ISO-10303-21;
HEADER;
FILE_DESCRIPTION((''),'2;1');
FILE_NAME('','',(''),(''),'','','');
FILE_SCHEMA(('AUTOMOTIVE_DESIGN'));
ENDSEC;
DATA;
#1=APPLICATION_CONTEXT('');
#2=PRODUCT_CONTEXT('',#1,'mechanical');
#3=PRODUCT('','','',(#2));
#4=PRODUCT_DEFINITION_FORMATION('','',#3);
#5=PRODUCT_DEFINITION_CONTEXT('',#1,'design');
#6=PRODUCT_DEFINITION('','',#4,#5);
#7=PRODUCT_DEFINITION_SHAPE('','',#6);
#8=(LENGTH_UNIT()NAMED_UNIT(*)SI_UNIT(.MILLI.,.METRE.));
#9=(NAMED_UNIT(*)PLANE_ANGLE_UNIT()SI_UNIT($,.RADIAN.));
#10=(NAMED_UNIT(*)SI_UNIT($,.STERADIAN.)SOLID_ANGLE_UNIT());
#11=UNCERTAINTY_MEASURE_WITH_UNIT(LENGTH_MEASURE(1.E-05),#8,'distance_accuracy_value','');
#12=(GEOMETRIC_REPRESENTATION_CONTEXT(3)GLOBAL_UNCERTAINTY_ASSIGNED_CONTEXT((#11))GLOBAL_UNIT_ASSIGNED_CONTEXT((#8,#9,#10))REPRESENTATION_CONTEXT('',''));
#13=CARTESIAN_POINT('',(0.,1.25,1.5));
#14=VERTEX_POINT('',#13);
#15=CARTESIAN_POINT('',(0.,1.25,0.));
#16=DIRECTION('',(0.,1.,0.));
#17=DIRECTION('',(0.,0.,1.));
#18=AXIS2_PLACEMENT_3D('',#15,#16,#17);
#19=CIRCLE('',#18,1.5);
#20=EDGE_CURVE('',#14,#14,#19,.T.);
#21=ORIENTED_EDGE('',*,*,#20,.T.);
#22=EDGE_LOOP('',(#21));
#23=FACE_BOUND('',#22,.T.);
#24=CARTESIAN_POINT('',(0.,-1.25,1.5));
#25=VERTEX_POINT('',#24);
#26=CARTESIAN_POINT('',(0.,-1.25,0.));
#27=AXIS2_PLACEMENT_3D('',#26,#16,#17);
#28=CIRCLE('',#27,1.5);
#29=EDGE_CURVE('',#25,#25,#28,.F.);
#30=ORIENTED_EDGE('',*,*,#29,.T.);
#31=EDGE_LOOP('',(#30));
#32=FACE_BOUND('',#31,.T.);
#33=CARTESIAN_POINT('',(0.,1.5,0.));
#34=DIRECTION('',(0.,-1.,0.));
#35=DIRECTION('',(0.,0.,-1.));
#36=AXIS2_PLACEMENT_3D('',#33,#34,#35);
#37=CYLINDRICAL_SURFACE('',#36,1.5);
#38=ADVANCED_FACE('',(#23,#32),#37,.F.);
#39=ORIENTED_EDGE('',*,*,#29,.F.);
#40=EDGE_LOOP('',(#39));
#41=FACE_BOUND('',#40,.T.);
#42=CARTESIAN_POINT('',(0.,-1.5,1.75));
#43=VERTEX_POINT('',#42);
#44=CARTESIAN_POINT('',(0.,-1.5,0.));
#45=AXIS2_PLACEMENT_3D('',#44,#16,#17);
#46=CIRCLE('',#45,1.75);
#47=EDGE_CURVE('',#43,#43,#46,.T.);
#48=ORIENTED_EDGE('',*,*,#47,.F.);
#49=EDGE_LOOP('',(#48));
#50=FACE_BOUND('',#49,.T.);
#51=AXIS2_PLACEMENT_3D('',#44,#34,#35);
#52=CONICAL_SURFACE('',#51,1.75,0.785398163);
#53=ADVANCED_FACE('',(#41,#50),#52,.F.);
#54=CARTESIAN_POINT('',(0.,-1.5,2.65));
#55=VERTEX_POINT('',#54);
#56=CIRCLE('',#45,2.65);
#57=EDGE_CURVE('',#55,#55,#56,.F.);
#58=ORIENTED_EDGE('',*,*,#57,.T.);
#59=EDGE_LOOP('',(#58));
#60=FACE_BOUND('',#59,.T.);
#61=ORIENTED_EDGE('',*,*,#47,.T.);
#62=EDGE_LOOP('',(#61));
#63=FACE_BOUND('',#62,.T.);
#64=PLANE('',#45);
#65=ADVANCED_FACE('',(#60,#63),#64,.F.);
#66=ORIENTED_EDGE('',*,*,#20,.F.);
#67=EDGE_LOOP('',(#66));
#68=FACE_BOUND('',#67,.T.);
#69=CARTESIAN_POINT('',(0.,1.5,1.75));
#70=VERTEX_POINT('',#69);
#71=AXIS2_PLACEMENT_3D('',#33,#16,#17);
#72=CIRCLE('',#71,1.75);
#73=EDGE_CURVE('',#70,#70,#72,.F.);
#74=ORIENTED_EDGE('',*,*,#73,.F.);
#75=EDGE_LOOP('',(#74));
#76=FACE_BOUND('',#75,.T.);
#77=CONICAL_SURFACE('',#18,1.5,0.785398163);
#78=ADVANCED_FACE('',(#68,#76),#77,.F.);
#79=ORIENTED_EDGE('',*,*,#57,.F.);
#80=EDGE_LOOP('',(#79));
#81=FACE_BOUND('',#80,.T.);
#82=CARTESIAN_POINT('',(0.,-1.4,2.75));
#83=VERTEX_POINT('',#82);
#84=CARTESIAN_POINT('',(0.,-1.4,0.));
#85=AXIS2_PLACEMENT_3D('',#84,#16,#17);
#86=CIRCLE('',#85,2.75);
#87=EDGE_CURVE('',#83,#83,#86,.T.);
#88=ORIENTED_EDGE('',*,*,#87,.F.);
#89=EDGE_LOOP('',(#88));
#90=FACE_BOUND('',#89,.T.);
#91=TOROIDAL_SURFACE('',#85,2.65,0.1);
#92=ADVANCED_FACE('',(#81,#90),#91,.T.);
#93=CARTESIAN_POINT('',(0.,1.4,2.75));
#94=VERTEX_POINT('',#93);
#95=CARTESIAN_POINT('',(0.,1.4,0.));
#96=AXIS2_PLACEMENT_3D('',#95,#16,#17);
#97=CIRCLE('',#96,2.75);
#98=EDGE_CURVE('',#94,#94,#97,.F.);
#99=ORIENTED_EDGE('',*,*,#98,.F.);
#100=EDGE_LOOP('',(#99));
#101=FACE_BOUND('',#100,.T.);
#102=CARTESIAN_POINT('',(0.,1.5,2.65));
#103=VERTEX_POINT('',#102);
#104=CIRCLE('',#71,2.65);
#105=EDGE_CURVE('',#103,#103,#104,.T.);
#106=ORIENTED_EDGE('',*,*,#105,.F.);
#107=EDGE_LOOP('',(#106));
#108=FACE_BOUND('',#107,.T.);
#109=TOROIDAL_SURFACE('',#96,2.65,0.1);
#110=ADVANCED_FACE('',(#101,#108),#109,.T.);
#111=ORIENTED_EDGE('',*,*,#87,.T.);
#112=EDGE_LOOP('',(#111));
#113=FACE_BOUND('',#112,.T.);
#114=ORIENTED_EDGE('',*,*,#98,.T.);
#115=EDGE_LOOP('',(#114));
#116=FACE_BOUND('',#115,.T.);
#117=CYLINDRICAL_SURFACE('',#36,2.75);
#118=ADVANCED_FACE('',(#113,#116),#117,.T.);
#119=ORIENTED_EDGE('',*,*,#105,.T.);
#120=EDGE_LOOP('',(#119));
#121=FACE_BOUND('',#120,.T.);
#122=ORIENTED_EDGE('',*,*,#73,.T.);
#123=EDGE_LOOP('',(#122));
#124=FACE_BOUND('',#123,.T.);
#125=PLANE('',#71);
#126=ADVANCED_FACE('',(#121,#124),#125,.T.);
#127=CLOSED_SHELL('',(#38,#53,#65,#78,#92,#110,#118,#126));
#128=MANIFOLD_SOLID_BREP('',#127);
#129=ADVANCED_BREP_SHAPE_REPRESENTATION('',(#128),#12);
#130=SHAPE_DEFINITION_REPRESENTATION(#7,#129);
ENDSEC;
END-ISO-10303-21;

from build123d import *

# Parameters (mm, degrees)
SKETCH1_R           = 2.75
SKETCH1_R_2         = 1.5
BOSS_EXTRUDE1_DEPTH = 1.5
CHAMFER1_SIZE       = 0.25
FILLET1_R           = 0.1


with BuildPart() as part:
    # Sketch1 → Boss-Extrude1 (new, symmetric)
    with BuildSketch(Plane(origin=(0, 0, 0), x_dir=(1, 0, 0), z_dir=(0, 1, 0))):
        with Locations(Location((0, 0, 0), (0, 0, 270))):
            Circle(SKETCH1_R)
        with Locations(Location((0, 0, 0), (0, 0, 270))):
            Circle(SKETCH1_R_2, mode=Mode.SUBTRACT)
    extrude(amount=BOSS_EXTRUDE1_DEPTH, both=True)

    # Chamfer1
    chamfer1_edges = [part.edges().sort_by_distance(p)[0] for p in [
        (0, -1.5, -1.5),
        (0, 1.5, -1.5),
    ]]
    chamfer(chamfer1_edges, length=CHAMFER1_SIZE)

    # Fillet1
    fillet1_edges = [part.edges().sort_by_distance(p)[0] for p in [
        (0, -1.5, -2.75),
        (0, 1.5, -2.75),
    ]]
    fillet(fillet1_edges, radius=FILLET1_R)


solid = part.part
